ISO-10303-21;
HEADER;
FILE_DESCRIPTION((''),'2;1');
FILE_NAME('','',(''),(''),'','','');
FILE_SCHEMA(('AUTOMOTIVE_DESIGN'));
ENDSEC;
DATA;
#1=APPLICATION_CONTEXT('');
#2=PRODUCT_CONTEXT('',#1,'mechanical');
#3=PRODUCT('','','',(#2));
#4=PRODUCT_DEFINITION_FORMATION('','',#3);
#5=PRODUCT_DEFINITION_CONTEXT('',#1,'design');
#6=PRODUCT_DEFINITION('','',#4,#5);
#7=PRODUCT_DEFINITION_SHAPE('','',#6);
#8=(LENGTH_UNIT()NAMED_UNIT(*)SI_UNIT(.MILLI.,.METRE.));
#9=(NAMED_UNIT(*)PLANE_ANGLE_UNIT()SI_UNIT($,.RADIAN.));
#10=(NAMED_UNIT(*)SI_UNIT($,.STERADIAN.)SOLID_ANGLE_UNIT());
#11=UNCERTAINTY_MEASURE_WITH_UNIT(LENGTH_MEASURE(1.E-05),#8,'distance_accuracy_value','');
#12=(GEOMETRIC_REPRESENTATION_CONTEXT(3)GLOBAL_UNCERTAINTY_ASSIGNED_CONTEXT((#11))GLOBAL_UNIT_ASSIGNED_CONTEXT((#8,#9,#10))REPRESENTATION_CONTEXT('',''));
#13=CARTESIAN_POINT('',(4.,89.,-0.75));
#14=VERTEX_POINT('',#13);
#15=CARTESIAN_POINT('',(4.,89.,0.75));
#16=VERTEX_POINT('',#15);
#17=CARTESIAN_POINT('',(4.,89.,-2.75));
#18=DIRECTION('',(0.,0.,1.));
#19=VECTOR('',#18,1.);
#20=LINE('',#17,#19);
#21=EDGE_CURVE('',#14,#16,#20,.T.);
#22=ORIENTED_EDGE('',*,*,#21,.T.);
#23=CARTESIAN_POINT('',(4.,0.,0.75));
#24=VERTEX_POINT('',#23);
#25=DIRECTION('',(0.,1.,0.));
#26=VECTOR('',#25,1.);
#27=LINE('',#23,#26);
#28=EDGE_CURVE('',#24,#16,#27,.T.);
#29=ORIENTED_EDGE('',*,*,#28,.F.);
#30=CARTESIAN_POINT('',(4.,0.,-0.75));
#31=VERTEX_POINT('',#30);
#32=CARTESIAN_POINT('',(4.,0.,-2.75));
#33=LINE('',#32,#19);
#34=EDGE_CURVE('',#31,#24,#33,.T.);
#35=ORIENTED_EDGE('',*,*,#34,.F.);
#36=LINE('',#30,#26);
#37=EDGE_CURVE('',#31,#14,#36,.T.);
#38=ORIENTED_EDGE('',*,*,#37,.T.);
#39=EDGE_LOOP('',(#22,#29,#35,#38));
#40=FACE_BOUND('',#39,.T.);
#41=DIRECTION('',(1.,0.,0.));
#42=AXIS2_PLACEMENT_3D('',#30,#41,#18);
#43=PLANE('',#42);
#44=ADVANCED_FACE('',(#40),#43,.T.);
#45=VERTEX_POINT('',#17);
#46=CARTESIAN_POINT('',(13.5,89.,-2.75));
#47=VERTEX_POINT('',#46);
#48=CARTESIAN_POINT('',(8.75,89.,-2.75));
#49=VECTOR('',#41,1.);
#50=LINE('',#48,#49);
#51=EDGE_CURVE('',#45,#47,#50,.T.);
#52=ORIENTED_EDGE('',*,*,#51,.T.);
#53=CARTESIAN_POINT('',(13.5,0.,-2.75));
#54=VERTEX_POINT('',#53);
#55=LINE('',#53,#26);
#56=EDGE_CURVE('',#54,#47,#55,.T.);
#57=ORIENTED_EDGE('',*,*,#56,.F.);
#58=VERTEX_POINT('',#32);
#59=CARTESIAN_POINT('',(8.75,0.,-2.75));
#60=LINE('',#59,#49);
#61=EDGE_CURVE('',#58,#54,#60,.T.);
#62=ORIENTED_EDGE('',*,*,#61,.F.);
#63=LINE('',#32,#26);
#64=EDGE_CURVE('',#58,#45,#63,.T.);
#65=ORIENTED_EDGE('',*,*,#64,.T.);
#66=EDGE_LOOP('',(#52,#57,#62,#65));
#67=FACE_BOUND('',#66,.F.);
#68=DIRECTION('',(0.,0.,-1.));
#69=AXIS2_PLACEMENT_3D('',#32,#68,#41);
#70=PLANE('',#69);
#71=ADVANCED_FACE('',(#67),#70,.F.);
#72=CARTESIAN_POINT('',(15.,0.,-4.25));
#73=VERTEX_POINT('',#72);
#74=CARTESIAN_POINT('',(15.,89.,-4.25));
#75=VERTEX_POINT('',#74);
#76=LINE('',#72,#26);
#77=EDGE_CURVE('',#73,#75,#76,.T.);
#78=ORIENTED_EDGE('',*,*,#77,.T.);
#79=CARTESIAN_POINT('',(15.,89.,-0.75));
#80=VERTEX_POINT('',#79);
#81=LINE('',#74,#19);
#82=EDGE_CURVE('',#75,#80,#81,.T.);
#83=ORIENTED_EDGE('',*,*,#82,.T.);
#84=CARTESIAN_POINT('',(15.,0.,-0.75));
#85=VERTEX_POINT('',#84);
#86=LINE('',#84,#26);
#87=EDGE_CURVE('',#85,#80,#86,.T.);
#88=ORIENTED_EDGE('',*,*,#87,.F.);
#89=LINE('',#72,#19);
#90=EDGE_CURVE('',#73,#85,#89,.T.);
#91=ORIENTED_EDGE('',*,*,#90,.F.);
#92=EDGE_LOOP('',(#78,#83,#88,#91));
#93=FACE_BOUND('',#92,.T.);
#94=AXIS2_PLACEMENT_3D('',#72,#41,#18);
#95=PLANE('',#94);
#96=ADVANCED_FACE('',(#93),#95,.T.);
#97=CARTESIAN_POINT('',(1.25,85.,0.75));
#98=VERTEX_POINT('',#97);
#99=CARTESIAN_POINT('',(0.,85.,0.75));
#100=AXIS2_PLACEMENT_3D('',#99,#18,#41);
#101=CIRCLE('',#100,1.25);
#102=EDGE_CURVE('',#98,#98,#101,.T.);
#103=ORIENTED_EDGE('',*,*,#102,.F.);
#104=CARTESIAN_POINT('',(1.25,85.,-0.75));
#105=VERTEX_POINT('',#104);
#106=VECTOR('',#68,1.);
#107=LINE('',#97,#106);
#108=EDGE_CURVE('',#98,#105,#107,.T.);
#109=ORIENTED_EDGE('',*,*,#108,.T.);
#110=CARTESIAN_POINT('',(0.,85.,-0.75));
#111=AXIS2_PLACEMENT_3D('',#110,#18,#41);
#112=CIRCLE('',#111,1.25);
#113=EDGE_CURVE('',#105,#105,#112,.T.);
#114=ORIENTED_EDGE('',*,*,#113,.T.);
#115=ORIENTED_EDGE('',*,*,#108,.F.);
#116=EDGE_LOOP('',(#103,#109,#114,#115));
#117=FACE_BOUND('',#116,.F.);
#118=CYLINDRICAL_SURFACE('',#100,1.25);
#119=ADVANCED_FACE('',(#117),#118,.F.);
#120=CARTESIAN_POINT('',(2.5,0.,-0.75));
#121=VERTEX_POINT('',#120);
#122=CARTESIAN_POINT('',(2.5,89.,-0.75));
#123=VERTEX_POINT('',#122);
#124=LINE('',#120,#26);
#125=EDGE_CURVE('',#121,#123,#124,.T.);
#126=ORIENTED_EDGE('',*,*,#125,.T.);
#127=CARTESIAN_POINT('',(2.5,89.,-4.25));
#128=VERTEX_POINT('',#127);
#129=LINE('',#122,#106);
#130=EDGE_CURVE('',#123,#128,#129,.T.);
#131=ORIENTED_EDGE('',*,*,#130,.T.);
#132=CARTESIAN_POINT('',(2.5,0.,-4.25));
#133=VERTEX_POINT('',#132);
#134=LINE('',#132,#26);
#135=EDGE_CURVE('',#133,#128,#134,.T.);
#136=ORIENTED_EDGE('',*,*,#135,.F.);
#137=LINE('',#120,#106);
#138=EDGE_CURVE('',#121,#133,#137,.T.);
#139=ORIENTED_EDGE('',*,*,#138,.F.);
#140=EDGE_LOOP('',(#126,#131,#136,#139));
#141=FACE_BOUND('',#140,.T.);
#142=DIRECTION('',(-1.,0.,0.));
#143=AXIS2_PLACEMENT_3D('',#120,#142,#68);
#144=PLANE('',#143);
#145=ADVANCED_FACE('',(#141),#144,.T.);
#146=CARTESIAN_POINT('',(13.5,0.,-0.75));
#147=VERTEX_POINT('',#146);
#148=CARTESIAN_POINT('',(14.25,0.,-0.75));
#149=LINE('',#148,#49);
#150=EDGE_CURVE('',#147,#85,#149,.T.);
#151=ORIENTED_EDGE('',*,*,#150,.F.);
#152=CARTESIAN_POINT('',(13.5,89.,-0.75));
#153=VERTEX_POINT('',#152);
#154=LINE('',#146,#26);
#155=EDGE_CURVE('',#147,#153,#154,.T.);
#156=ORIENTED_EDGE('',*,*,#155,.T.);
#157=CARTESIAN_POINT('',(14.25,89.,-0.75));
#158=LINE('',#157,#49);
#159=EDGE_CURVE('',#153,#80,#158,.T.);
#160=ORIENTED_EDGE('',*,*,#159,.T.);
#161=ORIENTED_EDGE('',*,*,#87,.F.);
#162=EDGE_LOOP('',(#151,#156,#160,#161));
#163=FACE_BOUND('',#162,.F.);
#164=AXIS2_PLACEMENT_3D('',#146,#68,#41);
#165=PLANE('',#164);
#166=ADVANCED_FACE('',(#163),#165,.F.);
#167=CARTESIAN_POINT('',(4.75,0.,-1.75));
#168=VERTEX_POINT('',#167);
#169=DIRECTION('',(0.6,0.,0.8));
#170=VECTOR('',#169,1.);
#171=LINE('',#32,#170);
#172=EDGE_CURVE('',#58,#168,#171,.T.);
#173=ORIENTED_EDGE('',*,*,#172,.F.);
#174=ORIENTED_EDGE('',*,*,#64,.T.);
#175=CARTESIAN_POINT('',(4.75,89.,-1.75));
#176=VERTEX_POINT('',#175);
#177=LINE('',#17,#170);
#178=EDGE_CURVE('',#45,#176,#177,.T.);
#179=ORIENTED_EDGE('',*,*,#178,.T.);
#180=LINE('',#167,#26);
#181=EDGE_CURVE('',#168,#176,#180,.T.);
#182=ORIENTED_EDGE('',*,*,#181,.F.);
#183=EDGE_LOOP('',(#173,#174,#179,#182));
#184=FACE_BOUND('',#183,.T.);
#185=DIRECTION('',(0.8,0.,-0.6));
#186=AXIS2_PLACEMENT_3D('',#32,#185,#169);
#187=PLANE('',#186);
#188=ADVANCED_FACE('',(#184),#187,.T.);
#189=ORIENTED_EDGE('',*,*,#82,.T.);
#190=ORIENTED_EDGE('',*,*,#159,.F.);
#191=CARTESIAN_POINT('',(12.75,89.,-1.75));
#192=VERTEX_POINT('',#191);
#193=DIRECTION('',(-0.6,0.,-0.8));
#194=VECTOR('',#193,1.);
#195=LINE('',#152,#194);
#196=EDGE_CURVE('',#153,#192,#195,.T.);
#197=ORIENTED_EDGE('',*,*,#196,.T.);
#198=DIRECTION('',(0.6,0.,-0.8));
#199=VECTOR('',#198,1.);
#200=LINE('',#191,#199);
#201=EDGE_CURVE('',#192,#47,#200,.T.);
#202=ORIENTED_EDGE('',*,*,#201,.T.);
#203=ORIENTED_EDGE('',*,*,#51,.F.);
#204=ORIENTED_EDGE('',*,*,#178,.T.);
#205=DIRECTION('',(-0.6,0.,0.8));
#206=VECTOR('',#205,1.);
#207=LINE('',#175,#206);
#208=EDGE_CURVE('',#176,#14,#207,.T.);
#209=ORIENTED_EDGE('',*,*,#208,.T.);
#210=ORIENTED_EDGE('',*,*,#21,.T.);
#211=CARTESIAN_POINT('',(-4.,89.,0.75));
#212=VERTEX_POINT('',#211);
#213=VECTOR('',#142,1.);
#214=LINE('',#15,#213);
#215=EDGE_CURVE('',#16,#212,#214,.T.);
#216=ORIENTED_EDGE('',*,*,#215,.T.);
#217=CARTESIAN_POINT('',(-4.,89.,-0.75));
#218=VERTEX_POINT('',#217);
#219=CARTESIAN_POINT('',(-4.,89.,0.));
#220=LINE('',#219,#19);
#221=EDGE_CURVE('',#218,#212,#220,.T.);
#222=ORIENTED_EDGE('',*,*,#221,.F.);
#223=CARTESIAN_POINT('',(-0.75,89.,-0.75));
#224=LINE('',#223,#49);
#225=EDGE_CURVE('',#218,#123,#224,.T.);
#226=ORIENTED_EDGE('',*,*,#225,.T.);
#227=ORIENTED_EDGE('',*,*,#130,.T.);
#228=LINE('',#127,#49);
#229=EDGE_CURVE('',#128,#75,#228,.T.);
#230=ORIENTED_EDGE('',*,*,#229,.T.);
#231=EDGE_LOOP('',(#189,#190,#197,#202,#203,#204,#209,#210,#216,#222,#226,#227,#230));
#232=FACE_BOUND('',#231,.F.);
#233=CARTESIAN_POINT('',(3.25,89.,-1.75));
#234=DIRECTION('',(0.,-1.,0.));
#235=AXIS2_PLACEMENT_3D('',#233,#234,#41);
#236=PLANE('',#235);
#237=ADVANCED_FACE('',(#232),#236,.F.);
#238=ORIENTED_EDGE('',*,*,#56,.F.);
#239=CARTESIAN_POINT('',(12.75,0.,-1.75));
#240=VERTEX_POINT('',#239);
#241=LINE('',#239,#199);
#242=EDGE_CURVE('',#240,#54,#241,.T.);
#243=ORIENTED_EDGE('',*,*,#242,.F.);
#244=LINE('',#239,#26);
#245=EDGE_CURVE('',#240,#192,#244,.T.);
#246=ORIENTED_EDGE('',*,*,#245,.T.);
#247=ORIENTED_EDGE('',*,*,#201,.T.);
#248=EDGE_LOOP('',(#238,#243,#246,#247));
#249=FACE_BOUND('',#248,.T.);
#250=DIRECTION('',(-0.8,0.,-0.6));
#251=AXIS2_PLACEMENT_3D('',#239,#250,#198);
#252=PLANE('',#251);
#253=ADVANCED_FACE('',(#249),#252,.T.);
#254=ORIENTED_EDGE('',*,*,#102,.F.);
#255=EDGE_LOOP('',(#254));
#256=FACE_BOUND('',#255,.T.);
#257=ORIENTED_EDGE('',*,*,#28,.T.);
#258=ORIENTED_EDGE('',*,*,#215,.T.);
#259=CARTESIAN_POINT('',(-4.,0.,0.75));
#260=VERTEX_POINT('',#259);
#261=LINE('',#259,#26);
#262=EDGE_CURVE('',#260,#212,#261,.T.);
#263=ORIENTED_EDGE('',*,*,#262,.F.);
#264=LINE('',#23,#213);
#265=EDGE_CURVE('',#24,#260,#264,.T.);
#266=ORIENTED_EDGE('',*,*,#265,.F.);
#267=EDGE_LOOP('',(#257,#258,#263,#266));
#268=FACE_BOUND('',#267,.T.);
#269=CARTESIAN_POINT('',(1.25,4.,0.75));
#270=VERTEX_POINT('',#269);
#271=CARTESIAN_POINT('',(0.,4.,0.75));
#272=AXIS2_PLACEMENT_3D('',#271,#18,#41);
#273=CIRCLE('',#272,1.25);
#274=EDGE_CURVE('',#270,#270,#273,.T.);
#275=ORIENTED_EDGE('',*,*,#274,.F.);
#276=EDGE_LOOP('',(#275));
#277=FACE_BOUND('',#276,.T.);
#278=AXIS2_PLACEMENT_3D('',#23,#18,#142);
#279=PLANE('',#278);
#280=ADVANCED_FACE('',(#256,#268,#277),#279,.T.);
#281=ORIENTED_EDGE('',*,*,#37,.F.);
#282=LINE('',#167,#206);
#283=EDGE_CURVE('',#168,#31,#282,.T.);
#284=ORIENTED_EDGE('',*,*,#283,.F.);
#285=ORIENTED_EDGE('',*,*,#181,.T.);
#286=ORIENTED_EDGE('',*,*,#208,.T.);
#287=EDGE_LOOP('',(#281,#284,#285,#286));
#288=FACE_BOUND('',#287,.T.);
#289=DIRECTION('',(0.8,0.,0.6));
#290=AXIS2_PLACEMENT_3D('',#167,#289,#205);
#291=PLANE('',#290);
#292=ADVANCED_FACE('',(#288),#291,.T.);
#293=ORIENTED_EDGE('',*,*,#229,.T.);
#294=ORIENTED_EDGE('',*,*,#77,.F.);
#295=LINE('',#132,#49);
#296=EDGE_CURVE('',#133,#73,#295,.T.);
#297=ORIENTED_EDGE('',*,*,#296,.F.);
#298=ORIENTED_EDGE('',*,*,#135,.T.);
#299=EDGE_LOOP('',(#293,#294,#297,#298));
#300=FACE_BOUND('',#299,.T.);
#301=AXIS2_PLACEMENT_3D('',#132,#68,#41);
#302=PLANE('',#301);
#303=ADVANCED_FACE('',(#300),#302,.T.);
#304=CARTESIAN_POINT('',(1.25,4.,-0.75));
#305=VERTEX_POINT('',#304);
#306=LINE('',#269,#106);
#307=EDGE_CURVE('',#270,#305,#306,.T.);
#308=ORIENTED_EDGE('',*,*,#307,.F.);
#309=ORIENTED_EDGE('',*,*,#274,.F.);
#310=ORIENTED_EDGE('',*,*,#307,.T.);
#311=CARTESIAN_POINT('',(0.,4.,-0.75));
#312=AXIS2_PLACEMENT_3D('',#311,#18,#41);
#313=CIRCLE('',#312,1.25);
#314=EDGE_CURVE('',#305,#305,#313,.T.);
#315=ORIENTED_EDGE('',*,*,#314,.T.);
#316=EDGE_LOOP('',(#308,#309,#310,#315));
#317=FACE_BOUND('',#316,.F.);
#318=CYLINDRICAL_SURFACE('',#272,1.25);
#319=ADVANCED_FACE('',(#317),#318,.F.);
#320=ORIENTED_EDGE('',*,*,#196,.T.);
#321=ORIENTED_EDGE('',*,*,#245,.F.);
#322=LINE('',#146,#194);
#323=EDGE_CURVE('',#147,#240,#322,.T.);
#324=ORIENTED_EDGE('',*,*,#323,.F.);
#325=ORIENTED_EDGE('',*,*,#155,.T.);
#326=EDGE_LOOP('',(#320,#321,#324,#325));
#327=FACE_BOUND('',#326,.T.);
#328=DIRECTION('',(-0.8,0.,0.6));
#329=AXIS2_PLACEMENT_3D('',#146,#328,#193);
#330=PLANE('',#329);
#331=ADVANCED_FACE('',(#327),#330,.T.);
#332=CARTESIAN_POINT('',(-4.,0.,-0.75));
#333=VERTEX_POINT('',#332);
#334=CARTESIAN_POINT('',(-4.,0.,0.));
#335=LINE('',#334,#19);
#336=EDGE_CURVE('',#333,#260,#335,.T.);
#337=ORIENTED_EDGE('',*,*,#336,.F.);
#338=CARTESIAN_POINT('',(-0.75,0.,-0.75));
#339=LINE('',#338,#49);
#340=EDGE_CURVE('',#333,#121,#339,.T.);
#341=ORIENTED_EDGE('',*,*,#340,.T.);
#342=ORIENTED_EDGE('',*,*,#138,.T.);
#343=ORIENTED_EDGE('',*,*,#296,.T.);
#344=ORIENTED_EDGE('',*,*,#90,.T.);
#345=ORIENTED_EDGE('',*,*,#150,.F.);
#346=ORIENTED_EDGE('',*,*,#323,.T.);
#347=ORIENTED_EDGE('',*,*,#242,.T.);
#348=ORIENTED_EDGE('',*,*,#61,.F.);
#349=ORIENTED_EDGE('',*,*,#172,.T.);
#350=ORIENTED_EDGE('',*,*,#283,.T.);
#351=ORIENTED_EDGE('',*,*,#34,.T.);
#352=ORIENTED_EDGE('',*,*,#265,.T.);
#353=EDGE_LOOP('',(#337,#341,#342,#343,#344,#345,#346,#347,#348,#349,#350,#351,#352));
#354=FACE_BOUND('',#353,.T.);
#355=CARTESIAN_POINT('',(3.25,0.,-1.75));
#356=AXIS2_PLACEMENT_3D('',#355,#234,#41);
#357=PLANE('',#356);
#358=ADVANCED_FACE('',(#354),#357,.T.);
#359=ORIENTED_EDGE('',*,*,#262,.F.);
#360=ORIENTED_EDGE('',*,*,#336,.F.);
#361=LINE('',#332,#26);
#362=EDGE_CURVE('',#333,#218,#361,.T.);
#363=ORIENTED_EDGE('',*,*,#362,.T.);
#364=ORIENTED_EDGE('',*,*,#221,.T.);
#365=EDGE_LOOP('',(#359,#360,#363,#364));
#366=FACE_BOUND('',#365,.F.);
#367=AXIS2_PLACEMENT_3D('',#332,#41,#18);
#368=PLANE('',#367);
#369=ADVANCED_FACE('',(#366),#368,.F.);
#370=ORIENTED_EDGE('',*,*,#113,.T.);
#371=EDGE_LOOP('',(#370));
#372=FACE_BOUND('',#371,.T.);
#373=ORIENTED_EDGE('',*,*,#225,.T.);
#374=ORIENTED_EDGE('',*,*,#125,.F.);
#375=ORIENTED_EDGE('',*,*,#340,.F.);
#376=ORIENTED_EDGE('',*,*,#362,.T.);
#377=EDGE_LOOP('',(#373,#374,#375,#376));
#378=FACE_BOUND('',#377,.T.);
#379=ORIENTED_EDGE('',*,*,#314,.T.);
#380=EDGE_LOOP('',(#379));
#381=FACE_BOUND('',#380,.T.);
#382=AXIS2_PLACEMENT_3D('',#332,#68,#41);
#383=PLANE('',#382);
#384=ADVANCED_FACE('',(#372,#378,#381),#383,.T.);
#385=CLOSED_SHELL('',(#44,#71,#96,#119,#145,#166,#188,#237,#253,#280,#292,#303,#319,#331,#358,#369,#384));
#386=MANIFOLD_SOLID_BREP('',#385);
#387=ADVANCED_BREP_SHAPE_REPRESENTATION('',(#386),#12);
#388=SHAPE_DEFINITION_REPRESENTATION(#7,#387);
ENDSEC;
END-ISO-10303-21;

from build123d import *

# Parameters (mm, degrees)
F0_W     = 1.5
F0_H     = 2
F0_H_2   = 1.5
F0_W_2   = 6.5
F0_W_3   = 9.5
F1_DEPTH = 89
F2_R     = 1.25
F3_DEPTH = 25


with BuildPart() as f1:
    # F0 (on Front) → F1 (new body)
    with BuildSketch(Plane.XZ):
        with Locations((3.25, -1.75)):
            Rectangle(F0_W, F0_H)
        with Locations((3.25, 0)):
            Rectangle(F0_W, F0_H_2)
        Polygon((4.75, -1.75), (4, -0.75), (4, -2.75), align=None)
        with Locations((-0.75, 0)):
            Rectangle(F0_W_2, F0_H_2)
        with Locations((8.75, -3.5)):
            Rectangle(F0_W_3, F0_H_2)
        with Locations((3.25, -3.5)):
            Rectangle(F0_W, F0_H_2)
        with Locations((14.25, -1.75)):
            Rectangle(F0_W, F0_H)
        with Locations((14.25, -3.5)):
            Rectangle(F0_W, F0_H_2)
        Polygon((12.75, -1.75), (13.5, -2.75), (13.5, -0.75), align=None)
    extrude(amount=-F1_DEPTH)

    # F2 (on face) → F3 (cut)
    with BuildSketch(Plane.XY.offset(0.75)):
        with Locations((0, 4)):
            Circle(F2_R)
        with Locations((0, 85)):
            Circle(F2_R)
    extrude(amount=-F3_DEPTH, mode=Mode.SUBTRACT)


solid = f1.part
